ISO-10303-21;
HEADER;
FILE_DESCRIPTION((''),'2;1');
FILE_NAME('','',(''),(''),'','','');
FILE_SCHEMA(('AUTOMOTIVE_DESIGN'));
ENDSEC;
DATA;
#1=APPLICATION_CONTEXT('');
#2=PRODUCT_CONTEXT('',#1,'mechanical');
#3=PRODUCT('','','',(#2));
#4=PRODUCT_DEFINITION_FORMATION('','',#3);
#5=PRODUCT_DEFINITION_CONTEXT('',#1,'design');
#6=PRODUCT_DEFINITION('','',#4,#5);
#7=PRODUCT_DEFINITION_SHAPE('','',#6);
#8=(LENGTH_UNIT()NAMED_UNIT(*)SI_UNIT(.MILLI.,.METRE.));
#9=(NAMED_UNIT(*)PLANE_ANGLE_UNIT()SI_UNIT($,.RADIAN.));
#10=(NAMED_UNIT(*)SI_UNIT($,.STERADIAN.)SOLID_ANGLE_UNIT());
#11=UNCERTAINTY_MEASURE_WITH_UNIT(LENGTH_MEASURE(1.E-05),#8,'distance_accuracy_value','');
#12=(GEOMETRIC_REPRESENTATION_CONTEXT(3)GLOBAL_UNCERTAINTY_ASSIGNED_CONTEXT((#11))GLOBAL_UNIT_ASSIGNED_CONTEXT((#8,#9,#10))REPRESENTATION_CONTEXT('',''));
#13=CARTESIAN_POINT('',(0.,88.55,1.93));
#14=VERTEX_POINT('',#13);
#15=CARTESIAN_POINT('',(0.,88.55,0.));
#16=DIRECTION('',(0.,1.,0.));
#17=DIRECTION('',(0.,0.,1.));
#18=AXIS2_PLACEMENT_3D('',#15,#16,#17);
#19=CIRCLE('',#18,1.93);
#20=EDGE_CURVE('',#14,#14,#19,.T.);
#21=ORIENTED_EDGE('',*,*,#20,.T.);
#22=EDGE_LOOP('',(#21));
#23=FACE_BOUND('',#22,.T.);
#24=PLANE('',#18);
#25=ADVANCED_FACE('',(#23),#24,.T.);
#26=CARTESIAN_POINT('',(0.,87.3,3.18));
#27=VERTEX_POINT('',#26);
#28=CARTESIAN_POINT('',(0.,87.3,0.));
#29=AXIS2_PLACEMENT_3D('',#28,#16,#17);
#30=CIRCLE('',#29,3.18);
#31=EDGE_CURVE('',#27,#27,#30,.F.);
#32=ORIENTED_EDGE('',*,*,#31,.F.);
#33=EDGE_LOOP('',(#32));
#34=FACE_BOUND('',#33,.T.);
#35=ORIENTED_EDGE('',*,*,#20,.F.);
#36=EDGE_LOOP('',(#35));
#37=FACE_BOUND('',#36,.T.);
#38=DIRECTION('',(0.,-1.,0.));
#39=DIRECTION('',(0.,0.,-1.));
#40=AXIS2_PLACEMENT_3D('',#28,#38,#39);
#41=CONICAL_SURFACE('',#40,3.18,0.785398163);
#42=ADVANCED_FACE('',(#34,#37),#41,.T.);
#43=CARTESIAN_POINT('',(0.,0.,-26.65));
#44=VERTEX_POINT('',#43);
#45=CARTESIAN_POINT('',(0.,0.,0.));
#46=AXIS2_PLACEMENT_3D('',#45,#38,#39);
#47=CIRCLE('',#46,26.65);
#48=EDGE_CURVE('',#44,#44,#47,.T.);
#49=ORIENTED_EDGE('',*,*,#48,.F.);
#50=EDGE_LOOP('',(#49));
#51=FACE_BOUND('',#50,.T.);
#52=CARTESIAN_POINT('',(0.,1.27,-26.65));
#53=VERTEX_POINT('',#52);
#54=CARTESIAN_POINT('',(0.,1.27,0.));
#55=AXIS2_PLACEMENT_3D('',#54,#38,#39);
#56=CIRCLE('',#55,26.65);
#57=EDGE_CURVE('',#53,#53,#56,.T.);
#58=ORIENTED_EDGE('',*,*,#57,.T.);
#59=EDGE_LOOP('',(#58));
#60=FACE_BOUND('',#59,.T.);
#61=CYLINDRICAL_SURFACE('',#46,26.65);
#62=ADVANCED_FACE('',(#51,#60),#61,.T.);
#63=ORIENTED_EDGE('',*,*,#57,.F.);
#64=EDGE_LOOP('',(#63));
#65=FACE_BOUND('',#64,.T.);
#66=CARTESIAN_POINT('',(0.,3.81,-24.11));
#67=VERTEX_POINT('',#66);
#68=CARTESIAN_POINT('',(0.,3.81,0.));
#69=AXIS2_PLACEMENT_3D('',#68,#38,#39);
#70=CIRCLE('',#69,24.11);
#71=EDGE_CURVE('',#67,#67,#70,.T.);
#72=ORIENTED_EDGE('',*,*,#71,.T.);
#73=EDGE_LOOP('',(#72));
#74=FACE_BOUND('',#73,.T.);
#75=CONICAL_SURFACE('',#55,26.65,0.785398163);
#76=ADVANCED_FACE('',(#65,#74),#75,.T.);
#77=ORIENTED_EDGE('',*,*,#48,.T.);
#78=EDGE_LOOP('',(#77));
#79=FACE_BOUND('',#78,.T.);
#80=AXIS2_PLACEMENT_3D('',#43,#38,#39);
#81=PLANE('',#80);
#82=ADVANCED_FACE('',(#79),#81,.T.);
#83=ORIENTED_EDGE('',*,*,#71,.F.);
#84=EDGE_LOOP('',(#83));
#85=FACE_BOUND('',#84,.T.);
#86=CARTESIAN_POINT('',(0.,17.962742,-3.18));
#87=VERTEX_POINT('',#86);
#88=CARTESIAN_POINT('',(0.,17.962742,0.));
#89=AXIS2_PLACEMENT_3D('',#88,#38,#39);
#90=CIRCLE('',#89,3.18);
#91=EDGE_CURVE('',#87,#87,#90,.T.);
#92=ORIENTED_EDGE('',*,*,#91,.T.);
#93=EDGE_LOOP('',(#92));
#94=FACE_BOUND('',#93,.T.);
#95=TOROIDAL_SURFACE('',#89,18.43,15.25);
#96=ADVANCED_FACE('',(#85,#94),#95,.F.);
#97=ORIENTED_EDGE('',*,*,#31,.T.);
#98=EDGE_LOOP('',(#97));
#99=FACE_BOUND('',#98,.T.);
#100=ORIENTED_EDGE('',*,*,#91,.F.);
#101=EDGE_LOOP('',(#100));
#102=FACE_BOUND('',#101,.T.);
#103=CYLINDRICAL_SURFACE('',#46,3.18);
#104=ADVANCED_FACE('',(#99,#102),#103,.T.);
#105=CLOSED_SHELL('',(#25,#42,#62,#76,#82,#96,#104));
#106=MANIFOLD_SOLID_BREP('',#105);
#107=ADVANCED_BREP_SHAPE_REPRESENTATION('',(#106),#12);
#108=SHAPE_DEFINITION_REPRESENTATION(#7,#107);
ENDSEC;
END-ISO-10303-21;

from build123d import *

# Parameters (mm, degrees)
CHAMFER1_SIZE = 1.25


with BuildPart() as part:
    # Sketch1 → Revolve1 (revolve)
    with BuildSketch(Plane(origin=(0, 0, 0), x_dir=(0, 0, -1), z_dir=(1, 0, 0))):
        with BuildLine():
            Line((0, 0), (0, 88.55))
            Line((0, 88.55), (3.18, 88.55))
            Line((3.18, 88.55), (3.18, 17.962741784))
            ThreePointArc((3.18, 17.962741784), (9.887678887, 5.329798738), (24.11, 3.81))
            Line((24.11, 3.81), (26.65, 1.27))
            Line((26.65, 1.27), (26.65, 0))
            Line((26.65, 0), (0, 0))
        make_face()
    revolve(axis=Axis((0, 0, 0), (0, 1, 0)))

    # Chamfer1
    chamfer1_edges = [part.edges().sort_by_distance(p)[0] for p in [
        (0, 88.55, 3.18),
    ]]
    chamfer(chamfer1_edges, length=CHAMFER1_SIZE)


solid = part.part
